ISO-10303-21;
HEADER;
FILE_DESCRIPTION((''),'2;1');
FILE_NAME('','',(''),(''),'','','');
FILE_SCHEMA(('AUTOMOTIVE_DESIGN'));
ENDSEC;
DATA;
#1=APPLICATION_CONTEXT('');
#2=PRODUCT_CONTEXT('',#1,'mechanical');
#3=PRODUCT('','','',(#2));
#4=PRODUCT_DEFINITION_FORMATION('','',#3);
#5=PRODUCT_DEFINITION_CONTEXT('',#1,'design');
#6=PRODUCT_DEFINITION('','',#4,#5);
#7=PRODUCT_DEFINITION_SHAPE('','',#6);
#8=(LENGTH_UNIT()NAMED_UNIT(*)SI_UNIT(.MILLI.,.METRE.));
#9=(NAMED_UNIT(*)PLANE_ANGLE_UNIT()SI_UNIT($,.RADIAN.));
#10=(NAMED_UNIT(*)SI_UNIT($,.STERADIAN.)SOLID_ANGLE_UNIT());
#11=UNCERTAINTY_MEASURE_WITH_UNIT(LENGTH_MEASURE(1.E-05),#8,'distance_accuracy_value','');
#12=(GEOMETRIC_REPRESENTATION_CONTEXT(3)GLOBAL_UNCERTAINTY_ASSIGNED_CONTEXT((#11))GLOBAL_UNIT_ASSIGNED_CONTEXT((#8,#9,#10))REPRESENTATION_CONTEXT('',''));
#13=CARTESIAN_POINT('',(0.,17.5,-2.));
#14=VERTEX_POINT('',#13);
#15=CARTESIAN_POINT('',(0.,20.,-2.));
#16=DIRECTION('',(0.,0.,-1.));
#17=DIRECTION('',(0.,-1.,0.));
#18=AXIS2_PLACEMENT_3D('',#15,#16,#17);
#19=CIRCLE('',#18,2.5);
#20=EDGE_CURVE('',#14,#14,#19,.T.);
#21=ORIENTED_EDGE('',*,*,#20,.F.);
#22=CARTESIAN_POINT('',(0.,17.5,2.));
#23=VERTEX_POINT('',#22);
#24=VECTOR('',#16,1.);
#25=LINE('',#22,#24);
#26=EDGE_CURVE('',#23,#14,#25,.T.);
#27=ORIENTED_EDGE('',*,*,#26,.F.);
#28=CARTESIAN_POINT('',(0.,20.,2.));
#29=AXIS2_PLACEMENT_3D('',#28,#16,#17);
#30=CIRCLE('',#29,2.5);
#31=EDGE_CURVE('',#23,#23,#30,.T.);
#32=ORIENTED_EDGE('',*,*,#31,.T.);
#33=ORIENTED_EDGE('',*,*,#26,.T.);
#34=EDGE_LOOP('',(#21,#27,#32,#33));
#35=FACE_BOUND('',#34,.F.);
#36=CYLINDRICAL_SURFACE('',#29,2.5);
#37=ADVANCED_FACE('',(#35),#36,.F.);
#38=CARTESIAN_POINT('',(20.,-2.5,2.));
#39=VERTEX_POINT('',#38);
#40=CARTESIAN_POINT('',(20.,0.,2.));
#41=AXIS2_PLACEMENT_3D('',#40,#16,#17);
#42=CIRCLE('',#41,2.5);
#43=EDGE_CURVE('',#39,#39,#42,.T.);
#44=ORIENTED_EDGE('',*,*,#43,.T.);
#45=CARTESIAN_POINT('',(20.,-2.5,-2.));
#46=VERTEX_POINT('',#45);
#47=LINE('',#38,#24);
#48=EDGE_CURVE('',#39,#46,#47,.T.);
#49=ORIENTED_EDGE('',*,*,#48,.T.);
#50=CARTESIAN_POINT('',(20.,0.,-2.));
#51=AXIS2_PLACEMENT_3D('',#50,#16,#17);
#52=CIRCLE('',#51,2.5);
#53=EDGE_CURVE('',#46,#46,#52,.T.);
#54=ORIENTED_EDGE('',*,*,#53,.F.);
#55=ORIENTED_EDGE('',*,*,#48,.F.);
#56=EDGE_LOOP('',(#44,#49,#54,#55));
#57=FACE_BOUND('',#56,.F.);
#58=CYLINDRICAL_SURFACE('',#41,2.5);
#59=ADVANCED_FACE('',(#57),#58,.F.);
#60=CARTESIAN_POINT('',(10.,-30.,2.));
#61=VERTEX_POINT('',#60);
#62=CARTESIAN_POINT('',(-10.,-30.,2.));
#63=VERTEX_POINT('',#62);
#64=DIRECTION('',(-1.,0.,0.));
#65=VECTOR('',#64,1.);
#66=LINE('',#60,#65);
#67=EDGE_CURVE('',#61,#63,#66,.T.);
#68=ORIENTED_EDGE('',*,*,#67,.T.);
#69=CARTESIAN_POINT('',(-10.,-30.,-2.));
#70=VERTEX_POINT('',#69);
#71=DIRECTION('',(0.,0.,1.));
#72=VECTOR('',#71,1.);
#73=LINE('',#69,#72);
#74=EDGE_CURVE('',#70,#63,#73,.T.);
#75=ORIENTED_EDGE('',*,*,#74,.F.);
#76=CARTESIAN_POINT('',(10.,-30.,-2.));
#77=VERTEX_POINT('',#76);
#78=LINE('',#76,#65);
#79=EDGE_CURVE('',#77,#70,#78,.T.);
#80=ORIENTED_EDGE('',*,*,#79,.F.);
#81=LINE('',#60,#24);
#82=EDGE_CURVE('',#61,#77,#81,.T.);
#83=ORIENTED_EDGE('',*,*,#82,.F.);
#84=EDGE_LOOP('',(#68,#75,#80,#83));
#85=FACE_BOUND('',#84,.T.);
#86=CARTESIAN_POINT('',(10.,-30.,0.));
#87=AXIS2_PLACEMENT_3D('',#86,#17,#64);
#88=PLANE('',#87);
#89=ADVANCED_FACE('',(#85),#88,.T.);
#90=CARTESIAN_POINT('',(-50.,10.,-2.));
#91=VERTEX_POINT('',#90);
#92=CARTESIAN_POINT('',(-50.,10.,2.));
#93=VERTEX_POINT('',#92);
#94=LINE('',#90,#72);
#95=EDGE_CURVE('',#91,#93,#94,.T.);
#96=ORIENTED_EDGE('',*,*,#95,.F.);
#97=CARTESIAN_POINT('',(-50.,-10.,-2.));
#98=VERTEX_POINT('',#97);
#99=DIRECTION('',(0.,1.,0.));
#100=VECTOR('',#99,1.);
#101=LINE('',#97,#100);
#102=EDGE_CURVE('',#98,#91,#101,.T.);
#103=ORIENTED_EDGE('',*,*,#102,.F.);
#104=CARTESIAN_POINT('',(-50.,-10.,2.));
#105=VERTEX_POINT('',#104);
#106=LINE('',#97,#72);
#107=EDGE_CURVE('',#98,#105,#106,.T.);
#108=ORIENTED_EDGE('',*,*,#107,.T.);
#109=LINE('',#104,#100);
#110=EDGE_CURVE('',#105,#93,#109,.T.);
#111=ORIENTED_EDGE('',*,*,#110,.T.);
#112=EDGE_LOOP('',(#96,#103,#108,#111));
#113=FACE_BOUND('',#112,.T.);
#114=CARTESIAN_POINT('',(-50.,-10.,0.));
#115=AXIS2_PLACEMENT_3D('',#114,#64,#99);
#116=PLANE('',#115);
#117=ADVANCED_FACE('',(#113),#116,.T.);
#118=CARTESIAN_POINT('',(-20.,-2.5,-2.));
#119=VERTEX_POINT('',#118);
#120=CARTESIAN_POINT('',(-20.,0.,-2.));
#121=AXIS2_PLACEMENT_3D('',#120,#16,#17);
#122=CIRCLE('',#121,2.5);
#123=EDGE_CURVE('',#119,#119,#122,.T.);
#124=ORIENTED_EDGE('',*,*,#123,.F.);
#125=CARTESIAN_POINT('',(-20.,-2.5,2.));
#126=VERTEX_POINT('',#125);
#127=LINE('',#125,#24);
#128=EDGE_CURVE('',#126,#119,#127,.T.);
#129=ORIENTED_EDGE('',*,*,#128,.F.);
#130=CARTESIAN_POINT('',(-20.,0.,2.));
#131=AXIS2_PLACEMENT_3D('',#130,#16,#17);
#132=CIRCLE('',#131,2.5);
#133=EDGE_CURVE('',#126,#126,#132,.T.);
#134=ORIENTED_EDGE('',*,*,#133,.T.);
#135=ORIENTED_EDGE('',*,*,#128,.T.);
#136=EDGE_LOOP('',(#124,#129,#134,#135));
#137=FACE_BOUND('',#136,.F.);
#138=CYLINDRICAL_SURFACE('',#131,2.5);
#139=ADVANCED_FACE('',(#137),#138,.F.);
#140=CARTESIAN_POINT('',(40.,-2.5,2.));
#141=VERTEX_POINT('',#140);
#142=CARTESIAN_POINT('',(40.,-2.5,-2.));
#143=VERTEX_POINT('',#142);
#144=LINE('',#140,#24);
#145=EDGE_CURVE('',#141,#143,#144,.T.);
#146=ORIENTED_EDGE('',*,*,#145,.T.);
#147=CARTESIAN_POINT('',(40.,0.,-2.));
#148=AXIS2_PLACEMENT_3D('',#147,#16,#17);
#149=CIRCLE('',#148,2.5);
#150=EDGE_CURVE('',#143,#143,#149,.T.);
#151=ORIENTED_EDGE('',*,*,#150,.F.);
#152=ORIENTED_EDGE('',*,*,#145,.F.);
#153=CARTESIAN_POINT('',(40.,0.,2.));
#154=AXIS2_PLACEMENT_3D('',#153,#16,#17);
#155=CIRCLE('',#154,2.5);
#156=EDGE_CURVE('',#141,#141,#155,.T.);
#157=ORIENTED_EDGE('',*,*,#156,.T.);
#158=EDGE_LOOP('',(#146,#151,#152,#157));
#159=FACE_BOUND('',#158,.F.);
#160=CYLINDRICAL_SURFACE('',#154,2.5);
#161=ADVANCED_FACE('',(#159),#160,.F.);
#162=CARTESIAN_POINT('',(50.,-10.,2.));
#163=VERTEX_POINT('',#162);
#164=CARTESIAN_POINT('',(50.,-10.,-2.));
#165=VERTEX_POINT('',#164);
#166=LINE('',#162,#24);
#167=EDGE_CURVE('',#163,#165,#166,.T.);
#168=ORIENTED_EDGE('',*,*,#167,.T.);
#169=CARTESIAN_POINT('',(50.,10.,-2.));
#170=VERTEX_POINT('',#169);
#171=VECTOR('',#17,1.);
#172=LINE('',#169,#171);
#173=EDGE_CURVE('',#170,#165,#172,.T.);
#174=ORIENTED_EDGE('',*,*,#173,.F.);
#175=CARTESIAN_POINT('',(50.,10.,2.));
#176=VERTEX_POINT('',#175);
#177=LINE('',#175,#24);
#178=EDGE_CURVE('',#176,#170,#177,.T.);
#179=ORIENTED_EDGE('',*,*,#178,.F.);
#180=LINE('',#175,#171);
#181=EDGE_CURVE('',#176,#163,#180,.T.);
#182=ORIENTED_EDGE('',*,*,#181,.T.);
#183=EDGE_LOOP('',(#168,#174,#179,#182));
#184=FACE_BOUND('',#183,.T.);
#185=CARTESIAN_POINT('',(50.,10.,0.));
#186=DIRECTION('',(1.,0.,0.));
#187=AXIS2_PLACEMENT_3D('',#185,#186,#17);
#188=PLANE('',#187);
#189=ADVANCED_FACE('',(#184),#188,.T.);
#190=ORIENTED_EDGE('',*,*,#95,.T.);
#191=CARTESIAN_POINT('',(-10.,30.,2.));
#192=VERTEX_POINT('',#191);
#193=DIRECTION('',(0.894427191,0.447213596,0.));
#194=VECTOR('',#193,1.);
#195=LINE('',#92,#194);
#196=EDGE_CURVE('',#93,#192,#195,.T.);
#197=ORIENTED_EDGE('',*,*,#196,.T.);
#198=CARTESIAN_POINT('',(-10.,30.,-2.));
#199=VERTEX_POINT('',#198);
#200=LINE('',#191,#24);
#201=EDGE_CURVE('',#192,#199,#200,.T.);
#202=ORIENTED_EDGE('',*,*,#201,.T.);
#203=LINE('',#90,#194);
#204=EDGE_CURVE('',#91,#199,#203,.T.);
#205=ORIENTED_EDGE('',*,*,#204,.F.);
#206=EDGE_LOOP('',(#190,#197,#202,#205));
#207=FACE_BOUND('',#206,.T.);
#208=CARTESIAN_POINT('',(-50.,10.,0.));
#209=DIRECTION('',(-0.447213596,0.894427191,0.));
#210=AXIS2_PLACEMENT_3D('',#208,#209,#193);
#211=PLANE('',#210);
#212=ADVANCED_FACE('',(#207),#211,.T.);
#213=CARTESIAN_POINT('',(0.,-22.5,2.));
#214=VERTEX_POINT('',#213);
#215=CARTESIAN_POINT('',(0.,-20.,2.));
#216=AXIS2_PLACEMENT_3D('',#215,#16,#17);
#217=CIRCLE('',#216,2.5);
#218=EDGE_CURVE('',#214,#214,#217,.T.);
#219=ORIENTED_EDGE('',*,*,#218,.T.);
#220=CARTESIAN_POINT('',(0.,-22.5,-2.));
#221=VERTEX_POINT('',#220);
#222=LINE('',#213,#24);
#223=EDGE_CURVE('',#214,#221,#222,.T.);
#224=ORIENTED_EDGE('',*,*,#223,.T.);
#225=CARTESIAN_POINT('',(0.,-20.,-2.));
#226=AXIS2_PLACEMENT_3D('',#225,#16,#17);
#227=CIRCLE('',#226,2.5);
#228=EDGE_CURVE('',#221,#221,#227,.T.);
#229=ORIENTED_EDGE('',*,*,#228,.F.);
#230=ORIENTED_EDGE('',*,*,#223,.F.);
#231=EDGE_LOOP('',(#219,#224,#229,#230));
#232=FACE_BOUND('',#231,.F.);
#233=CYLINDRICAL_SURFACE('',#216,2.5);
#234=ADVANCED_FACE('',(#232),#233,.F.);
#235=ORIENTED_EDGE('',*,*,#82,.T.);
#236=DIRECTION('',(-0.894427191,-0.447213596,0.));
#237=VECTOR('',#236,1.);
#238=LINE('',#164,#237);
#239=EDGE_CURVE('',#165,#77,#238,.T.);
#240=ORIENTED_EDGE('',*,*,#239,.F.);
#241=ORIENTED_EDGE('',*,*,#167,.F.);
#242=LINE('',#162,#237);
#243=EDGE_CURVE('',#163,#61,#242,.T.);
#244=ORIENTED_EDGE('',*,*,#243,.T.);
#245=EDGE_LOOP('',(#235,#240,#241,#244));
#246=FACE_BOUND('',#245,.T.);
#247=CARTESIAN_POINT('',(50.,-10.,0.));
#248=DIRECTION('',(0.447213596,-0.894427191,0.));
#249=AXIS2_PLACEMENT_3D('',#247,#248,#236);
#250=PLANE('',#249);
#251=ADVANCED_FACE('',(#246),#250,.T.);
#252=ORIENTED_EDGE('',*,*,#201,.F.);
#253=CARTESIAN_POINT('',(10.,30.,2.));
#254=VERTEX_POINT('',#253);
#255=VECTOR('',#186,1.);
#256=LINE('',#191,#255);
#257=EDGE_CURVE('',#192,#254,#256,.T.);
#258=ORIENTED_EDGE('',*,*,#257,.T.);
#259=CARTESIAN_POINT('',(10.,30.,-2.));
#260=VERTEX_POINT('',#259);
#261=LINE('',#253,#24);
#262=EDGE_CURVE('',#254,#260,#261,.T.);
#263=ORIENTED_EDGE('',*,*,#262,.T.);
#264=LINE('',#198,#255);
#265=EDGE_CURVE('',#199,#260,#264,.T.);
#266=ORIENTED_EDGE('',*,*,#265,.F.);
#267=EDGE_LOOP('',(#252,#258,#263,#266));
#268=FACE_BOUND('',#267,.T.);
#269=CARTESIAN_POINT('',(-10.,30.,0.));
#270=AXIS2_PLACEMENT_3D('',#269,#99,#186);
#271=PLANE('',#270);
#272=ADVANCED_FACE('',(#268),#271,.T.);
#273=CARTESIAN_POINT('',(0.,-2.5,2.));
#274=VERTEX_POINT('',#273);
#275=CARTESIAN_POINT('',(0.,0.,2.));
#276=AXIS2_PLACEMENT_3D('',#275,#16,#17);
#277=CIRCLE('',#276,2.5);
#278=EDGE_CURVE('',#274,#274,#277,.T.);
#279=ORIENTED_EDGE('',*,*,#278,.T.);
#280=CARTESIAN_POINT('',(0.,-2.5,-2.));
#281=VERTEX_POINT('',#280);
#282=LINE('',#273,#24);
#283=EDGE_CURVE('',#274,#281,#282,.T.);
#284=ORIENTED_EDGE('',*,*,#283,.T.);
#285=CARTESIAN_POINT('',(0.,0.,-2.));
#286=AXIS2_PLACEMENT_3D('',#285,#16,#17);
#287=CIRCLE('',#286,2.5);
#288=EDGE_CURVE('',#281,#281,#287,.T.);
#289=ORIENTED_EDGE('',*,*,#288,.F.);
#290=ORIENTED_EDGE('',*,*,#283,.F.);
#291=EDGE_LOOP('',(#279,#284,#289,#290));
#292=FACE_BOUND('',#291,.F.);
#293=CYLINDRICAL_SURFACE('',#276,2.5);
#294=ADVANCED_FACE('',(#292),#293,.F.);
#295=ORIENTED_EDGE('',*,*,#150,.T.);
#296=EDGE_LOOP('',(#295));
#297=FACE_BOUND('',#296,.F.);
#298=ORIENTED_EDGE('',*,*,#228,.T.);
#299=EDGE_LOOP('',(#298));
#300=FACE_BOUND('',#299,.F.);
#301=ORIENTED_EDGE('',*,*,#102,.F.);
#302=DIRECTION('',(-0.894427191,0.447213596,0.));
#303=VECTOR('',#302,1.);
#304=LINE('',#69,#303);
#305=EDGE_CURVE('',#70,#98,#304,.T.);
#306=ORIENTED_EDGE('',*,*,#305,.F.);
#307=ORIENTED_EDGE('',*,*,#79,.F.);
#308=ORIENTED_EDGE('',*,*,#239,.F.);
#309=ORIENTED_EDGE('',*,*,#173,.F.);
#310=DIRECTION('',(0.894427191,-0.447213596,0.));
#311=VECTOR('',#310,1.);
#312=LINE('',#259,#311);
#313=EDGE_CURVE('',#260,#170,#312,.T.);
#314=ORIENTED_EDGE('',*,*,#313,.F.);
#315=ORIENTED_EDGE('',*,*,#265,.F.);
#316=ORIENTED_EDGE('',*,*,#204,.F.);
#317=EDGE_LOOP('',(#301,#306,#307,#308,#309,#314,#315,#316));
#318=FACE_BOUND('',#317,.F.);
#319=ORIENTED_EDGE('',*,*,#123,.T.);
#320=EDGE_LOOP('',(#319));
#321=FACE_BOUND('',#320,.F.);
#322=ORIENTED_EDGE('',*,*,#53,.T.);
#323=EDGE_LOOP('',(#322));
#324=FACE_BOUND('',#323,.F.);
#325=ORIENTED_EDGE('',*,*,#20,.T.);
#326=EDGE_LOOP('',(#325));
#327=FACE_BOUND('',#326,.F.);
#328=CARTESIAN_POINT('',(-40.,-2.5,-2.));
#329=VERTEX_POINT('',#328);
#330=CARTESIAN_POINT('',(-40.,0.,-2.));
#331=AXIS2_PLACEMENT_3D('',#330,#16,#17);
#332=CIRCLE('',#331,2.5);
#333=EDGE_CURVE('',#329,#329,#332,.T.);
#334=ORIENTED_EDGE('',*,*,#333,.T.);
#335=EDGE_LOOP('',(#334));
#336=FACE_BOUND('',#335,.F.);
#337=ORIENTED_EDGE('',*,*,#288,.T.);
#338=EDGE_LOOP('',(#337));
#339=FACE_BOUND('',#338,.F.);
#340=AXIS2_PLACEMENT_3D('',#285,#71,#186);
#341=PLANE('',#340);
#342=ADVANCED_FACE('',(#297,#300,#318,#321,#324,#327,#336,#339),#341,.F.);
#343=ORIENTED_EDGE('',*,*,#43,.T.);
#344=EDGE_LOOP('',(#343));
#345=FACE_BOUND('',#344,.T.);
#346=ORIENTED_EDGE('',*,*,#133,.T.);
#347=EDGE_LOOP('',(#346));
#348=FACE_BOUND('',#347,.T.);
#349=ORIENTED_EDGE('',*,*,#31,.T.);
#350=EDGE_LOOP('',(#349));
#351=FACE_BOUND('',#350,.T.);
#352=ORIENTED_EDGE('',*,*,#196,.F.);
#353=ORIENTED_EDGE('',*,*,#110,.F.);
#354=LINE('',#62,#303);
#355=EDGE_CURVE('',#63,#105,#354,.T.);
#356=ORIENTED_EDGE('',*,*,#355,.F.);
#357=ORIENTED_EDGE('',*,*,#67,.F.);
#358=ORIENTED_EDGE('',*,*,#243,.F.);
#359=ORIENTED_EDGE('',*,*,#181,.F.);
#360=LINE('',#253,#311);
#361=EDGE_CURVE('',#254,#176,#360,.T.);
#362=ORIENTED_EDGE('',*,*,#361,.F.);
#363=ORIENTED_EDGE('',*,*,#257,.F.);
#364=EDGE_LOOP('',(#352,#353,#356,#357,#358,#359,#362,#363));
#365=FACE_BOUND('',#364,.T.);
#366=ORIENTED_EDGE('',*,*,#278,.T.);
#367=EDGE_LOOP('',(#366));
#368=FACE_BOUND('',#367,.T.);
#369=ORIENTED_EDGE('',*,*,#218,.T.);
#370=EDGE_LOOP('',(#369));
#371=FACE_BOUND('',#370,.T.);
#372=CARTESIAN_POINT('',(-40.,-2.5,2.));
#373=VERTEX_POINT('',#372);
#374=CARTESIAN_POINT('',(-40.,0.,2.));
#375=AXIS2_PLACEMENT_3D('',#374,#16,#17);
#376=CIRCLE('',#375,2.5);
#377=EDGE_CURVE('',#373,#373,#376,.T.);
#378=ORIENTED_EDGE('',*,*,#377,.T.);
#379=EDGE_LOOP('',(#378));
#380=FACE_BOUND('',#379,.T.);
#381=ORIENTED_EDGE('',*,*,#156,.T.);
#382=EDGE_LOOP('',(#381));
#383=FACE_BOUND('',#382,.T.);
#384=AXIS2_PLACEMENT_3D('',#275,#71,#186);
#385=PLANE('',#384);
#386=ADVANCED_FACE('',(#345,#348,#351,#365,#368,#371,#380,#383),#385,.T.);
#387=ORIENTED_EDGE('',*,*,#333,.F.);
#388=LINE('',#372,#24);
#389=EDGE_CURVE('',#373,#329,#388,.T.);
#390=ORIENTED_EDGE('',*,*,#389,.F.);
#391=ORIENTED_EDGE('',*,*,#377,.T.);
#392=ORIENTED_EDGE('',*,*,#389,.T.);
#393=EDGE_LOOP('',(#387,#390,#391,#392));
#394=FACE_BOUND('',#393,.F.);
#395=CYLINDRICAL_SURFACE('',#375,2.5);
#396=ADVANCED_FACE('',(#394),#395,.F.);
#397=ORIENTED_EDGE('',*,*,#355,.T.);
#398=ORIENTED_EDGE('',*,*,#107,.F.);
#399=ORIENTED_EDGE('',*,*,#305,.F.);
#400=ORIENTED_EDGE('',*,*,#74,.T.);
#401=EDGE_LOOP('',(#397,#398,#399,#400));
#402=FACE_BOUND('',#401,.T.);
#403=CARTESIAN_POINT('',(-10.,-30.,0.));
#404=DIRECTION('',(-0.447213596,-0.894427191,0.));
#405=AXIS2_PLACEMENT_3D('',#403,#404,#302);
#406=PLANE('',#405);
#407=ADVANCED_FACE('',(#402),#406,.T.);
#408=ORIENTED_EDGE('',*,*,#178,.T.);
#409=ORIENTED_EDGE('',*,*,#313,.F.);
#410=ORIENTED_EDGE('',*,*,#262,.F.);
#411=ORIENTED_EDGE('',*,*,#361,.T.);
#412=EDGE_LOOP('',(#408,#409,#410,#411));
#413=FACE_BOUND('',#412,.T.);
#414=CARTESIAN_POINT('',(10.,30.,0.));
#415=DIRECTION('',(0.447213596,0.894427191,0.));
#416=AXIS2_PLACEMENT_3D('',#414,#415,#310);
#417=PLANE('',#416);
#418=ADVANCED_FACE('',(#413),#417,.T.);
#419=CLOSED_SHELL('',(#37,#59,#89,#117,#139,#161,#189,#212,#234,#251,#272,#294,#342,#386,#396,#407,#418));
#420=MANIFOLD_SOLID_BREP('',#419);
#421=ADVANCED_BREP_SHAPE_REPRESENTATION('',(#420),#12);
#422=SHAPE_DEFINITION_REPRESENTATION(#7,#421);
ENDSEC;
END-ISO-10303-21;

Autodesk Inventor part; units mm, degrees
ref_plane "YZ Plane" through (0, 0, 0) normal (1, 0, 0) x (0, 1, 0)
ref_plane "XZ Plane" through (0, 0, 0) normal (0, 1, 0) x (-1, 0, 0)
ref_plane "XY Plane" through (0, 0, 0) normal (0, 0, 1) x (1, 0, 0)
sketch "Sketch1" plane through (0, 0, 0) normal (0, 0, 1) x (1, 0, 0)
  line L0 (-50, 10) -> (50, 10) construction
  line L1 (50, 10) -> (50, -10) construction
  line L2 (50, -10) -> (-50, -10) construction
  line L3 (-50, -10) -> (-50, 10) construction
  line L4 (-50, 10) -> (50, -10) construction
  line L5 (50, 10) -> (-50, -10) construction
  line L6 (10, -30) -> (-10, -30) construction
  line L7 (-10, -30) -> (-10, 30) construction
  line L8 (-10, 30) -> (10, 30) construction
  line L9 (10, 30) -> (10, -30) construction
  line L10 (10, -30) -> (-10, 30) construction
  line L11 (-10, -30) -> (10, 30) construction
  line L12 (-50, 10) -> (-10, 30)
  line L13 (-10, 30) -> (10, 30)
  line L14 (10, 30) -> (50, 10)
  line L15 (50, 10) -> (50, -10)
  line L16 (50, -10) -> (10, -30)
  line L17 (10, -30) -> (-10, -30)
  line L18 (-10, -30) -> (-50, -10)
  line L19 (-50, -10) -> (-50, 10)
  point P0 (0, 0)
  dimension "d0" = 20
  dimension "d2" = 100
  dimension "d3" = 20
  dimension "d4" = 60
extrude "Extrusion1" add sketch "Sketch1" along normal mid plane 4
sketch "Sketch2" plane through (0, 0, 2) normal (0, 0, 1) x (1, 0, 0)
  line L0 (-50, 10) -> (-50, -10) projected
  line L1 (-10, -30) -> (10, -30) projected
  line L2 (50, -10) -> (50, 10) projected
  line L3 (10, 30) -> (-10, 30) projected
  line L4 (0, 30) -> (0, -30) construction
  line L5 (-50, 0) -> (50, 0) construction
  point P0 (0, 0)
  point P1 (0, 0)
  point P2 (20, 0)
  point P3 (40, 0)
  point P4 (0, 20)
  point P5 (0, -20)
  point P6 (-20, 0)
  point P7 (-40, 0)
  dimension "d7" = 20
  dimension "d9" = 20
  dimension "d10" = 20
  dimension "d11" = 20
  dimension "d12" = 20
  dimension "d13" = 20
hole "Hole1" at (0, 0, 2) at (20, 0, 2) at (40, 0, 2) at (0, 20, 2) at (0, -20, 2) at (-20, 0, 2) at (-40, 0, 2) direction (0, 0, -1) diameter 5 end through all
equation "\"d9\" = d7"
equation "\"d10\" = d7"
equation "\"d11\" = d10"
equation "\"d12\" = d11"
equation "\"d13\" = d10"
properties part number "7 Hole Cross Joining Plate" material "Aluminum 6061"
